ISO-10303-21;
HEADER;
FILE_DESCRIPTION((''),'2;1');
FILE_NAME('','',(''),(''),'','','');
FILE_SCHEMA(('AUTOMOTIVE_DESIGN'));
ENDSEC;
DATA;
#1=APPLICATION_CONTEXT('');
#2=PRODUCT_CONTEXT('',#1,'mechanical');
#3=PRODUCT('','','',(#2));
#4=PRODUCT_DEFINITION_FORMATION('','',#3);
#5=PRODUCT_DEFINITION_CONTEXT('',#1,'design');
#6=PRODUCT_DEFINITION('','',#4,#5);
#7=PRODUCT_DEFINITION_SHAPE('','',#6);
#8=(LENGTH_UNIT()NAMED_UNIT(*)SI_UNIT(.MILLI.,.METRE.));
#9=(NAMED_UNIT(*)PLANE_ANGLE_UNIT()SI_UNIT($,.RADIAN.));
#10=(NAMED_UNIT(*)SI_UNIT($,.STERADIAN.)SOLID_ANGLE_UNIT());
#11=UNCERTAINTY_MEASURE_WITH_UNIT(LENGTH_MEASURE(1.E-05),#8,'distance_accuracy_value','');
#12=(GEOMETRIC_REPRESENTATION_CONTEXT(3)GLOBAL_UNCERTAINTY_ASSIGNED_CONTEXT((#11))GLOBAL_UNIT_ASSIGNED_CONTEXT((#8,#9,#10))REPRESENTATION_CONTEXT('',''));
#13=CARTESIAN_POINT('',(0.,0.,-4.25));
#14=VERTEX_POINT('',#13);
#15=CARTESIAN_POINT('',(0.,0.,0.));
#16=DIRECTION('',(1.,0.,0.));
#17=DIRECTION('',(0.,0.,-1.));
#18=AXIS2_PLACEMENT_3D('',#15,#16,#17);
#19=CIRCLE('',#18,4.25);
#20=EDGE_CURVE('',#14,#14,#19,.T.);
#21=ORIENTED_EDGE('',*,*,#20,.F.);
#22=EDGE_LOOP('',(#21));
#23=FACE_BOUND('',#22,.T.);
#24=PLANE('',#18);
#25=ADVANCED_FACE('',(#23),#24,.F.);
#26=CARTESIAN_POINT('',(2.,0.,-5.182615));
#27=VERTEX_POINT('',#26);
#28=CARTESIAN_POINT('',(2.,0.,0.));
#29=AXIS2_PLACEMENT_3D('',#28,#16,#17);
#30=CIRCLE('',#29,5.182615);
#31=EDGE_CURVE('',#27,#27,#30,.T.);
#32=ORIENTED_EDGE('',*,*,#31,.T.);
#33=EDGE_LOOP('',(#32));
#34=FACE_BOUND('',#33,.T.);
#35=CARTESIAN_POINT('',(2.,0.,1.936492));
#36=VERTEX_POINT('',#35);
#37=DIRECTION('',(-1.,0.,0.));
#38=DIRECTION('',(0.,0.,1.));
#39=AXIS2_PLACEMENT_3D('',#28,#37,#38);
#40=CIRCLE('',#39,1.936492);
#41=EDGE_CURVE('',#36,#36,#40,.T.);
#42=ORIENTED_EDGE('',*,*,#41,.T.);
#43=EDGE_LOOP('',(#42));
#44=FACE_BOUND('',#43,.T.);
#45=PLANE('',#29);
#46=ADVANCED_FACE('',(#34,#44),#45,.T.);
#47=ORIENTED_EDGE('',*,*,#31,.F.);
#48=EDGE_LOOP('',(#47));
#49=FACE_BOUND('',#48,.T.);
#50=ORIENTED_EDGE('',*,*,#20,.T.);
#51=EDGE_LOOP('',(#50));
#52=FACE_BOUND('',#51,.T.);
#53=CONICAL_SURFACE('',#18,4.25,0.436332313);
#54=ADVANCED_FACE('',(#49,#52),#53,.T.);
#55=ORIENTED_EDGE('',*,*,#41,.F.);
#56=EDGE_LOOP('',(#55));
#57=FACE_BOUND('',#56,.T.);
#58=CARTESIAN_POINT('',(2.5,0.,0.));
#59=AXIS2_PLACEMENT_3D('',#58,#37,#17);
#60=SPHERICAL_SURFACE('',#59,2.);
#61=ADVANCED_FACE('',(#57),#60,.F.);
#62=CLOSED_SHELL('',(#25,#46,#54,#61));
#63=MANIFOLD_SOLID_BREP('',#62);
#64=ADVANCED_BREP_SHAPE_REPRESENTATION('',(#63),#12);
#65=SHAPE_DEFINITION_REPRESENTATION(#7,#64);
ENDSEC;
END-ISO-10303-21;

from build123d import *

# Parameters (mm, degrees)
SKETCH1_R           = 4.25
BOSS_EXTRUDE1_DEPTH = 2
BOSS_EXTRUDE1_TAPER = -25


with BuildPart() as part:
    # Sketch1 → Boss-Extrude1 (new body)
    with BuildSketch(Plane(origin=(0, 0, 0), x_dir=(0, 0, -1), z_dir=(1, 0, 0))):
        Circle(SKETCH1_R)
    extrude(amount=BOSS_EXTRUDE1_DEPTH, taper=BOSS_EXTRUDE1_TAPER)

    # Sketch2 → Cut-Revolve1 (revolve, cut)
    with BuildSketch(Plane(origin=(0, 0, 0), x_dir=(1, 0, 0), z_dir=(0, 1, 0))):
        with BuildLine():
            Line((2, 0), (0.5, 0))
            ThreePointArc((0.5, 0), (0.91886117, 1.224744871), (2, 1.936491673))
            Line((2, 1.936491673), (2, 0))
        make_face()
    revolve(axis=Axis((2, 0, 0), (1, 0, 0)), mode=Mode.SUBTRACT)


solid = part.part
